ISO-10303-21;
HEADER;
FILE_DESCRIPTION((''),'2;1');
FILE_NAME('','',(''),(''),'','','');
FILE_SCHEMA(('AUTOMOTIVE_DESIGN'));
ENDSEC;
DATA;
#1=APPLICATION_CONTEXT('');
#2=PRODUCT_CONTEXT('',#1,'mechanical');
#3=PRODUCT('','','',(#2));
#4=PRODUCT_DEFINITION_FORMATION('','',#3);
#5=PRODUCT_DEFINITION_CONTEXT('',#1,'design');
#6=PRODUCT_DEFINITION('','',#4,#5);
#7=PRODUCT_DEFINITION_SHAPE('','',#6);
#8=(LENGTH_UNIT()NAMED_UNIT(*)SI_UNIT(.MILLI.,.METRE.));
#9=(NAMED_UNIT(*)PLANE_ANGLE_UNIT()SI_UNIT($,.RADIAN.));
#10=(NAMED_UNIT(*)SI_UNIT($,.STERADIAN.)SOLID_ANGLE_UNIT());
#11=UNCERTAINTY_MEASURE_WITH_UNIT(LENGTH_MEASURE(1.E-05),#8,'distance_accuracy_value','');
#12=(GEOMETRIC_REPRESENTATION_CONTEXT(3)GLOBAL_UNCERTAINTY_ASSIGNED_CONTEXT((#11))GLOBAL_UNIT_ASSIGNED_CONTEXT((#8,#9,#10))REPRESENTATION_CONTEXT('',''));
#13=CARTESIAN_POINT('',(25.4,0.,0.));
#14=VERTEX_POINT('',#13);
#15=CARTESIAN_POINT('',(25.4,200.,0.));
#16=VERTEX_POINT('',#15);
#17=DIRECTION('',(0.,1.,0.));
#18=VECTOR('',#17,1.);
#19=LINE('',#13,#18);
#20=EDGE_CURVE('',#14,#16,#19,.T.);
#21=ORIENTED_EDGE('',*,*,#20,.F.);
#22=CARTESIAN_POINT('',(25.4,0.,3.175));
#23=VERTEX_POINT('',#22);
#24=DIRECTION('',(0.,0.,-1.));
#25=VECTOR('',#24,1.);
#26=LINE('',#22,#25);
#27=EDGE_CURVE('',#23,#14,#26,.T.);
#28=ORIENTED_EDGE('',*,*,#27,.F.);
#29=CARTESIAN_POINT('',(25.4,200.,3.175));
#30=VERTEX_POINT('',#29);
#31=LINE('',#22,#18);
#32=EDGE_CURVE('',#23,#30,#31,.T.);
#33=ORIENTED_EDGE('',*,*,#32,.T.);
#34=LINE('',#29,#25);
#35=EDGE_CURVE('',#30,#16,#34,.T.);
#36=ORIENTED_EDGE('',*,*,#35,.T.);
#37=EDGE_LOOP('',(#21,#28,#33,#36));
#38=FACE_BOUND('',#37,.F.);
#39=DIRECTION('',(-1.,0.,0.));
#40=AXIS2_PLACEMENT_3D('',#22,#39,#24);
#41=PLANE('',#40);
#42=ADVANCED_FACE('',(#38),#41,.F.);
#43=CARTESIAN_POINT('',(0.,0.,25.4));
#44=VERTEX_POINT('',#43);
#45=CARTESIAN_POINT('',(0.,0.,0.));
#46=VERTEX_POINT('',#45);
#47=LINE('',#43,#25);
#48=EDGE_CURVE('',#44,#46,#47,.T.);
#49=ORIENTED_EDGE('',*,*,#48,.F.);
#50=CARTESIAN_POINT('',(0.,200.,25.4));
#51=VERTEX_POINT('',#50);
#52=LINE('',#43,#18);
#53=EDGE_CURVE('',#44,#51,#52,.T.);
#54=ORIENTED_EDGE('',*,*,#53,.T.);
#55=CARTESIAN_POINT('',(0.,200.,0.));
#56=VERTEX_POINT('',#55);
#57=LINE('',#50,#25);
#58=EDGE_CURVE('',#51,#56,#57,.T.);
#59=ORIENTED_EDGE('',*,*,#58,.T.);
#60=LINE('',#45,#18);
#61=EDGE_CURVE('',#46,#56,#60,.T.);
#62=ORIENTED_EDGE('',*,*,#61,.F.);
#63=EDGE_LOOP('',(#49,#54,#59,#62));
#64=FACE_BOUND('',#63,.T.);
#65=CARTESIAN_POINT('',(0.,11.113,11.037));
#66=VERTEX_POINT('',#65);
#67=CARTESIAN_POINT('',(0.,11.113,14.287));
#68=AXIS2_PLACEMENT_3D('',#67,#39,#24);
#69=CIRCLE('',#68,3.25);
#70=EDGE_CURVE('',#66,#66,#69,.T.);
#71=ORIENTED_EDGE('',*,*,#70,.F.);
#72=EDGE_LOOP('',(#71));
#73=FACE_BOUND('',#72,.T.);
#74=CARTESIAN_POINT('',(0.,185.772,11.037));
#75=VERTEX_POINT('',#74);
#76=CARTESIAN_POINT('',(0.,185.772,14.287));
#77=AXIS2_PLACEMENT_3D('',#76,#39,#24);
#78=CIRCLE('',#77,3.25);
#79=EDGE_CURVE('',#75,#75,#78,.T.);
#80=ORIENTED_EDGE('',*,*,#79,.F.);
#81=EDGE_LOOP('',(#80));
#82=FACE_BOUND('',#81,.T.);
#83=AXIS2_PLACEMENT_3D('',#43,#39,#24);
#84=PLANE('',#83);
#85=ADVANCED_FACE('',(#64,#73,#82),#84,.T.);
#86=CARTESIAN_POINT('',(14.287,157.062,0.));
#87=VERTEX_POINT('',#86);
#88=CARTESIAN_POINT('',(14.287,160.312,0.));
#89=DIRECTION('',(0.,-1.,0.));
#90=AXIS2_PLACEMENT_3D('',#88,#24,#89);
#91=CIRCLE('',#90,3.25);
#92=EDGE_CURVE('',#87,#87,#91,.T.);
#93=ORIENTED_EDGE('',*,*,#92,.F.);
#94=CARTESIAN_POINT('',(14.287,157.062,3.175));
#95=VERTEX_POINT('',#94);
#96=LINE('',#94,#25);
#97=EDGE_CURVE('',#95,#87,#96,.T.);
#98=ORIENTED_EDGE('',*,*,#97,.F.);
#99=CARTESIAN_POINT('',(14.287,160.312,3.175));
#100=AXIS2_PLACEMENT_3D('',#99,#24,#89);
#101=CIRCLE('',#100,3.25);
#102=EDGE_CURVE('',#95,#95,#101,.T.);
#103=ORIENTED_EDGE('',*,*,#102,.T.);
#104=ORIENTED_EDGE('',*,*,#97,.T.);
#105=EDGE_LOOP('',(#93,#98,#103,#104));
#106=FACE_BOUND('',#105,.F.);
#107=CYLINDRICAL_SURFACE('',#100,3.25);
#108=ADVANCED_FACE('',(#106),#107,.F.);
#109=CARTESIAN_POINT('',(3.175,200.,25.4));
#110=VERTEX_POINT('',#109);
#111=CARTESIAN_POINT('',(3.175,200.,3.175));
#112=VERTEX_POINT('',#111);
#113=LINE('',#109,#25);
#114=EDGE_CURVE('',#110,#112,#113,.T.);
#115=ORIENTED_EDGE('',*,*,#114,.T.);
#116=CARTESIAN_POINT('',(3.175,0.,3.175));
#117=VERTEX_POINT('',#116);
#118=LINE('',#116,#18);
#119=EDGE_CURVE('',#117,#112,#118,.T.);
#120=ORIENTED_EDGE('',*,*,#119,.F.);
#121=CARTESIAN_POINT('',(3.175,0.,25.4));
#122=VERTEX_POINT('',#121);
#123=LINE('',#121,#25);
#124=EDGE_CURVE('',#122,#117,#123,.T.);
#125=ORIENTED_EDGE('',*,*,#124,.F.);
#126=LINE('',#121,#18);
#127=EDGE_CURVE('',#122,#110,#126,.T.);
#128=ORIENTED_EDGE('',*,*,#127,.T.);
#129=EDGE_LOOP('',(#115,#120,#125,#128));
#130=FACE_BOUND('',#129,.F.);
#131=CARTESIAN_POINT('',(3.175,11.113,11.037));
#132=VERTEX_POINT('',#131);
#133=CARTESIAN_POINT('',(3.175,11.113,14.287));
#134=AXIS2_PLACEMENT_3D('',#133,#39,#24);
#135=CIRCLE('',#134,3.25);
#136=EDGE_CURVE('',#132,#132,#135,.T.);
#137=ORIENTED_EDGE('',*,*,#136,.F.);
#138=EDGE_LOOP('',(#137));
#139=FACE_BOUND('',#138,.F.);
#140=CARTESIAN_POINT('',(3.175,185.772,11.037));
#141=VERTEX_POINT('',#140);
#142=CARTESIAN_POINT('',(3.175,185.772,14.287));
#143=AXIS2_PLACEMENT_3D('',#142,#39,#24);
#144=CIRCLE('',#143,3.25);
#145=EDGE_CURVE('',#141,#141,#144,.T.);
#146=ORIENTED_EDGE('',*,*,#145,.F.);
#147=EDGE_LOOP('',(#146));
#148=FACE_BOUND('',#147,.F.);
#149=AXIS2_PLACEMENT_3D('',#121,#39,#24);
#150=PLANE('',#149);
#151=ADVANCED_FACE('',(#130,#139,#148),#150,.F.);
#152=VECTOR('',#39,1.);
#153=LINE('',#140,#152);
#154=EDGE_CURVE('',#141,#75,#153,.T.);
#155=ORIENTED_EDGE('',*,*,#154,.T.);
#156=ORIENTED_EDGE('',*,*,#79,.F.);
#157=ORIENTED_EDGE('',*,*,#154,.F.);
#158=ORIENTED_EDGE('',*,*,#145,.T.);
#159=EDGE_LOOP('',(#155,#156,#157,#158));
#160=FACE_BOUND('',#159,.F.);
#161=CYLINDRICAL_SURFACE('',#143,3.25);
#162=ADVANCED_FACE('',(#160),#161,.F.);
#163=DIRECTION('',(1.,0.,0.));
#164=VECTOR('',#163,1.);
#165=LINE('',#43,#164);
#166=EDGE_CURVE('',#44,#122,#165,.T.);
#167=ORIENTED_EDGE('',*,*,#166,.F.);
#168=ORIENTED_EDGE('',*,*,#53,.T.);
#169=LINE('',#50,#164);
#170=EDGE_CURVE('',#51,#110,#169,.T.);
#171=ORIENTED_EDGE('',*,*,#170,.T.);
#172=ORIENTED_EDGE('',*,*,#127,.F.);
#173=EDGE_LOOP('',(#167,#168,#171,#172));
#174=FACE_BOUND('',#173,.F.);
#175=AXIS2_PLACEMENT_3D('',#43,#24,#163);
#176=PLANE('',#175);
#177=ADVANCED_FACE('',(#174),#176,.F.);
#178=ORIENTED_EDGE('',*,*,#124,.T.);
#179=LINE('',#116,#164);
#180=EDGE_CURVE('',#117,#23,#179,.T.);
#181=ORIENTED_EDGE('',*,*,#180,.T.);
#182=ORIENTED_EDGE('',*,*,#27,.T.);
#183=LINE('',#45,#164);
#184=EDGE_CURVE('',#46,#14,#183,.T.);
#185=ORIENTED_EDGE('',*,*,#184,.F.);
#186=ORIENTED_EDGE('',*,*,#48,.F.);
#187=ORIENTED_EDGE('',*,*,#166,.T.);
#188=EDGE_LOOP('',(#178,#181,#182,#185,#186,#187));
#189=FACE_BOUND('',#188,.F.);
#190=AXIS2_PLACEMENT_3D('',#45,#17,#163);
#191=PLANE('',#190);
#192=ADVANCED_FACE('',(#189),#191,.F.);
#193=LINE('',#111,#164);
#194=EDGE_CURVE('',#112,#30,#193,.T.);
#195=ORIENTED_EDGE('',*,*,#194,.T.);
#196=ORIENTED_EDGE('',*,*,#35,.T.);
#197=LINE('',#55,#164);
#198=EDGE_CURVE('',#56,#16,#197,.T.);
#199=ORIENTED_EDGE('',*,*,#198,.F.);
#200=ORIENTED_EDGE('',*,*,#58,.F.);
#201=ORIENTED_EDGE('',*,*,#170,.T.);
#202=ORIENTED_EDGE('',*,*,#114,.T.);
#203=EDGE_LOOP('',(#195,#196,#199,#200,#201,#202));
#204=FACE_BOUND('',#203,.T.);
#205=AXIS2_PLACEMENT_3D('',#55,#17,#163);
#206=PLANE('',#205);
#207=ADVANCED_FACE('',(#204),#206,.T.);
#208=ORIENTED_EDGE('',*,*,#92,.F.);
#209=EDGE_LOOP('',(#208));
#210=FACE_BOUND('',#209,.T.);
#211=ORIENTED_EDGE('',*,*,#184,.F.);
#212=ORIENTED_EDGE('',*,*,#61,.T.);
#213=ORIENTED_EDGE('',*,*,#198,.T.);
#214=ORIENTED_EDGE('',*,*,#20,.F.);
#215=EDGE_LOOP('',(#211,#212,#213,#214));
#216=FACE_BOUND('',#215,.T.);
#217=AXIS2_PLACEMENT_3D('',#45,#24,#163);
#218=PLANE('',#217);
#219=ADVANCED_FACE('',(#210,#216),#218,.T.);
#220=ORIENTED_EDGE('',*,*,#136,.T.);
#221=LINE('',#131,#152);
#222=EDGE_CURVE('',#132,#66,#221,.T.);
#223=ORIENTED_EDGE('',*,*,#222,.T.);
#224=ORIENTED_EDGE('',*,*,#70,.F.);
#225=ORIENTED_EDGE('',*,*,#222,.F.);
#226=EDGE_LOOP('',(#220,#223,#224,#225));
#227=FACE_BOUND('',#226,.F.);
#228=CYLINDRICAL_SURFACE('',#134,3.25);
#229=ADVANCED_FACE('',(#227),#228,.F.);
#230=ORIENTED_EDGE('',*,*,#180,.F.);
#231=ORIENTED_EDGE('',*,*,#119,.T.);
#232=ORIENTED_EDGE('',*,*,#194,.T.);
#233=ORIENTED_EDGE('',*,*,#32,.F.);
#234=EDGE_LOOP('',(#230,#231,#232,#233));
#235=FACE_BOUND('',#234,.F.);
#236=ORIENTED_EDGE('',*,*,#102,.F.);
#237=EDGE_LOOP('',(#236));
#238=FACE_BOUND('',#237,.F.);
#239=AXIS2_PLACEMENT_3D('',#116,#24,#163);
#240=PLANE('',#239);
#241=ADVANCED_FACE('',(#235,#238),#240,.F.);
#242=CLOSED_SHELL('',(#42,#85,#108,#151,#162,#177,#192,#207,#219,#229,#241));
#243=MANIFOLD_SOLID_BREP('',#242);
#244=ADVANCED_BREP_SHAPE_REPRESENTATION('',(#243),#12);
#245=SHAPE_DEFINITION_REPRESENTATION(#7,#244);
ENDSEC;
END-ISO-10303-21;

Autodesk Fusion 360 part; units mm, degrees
sketch "Sketch1" plane through (0, 0, 0) normal (0, 1, 0) x (1, 0, 0)
  line L0 (0, -25.4) -> (0, 0)
  line L1 (0, 0) -> (25.4, 0)
  line L2 (12.7, -12.7) -> (11.05, -11.05) construction
  line L3 (3.175, -25.4) -> (3.175, -3.175)
  line L4 (3.175, -3.175) -> (25.4, -3.175)
  line L5 (25.4, -3.175) -> (25.4, 0)
  line L6 (0, -25.4) -> (3.175, -25.4)
  dimension "d1" = 25.4
  dimension "d2" = 25.4
  dimension "d13" = 3.175
extrude "Extrude1" add sketch "Sketch1" along normal blind 200
hole "Hole3" at (3.175, 11.113, 14.287) direction (-1, 0, 0) diameter 6.5 end through all
hole "Hole4" at (3.175, 185.772, 14.287) direction (-1, 0, 0) diameter 6.5 depth 30 tip angle 118
hole "Hole5" at (14.287, 160.312, 3.175) direction (0, 0, -1) diameter 6.5 depth 30 tip angle 118
